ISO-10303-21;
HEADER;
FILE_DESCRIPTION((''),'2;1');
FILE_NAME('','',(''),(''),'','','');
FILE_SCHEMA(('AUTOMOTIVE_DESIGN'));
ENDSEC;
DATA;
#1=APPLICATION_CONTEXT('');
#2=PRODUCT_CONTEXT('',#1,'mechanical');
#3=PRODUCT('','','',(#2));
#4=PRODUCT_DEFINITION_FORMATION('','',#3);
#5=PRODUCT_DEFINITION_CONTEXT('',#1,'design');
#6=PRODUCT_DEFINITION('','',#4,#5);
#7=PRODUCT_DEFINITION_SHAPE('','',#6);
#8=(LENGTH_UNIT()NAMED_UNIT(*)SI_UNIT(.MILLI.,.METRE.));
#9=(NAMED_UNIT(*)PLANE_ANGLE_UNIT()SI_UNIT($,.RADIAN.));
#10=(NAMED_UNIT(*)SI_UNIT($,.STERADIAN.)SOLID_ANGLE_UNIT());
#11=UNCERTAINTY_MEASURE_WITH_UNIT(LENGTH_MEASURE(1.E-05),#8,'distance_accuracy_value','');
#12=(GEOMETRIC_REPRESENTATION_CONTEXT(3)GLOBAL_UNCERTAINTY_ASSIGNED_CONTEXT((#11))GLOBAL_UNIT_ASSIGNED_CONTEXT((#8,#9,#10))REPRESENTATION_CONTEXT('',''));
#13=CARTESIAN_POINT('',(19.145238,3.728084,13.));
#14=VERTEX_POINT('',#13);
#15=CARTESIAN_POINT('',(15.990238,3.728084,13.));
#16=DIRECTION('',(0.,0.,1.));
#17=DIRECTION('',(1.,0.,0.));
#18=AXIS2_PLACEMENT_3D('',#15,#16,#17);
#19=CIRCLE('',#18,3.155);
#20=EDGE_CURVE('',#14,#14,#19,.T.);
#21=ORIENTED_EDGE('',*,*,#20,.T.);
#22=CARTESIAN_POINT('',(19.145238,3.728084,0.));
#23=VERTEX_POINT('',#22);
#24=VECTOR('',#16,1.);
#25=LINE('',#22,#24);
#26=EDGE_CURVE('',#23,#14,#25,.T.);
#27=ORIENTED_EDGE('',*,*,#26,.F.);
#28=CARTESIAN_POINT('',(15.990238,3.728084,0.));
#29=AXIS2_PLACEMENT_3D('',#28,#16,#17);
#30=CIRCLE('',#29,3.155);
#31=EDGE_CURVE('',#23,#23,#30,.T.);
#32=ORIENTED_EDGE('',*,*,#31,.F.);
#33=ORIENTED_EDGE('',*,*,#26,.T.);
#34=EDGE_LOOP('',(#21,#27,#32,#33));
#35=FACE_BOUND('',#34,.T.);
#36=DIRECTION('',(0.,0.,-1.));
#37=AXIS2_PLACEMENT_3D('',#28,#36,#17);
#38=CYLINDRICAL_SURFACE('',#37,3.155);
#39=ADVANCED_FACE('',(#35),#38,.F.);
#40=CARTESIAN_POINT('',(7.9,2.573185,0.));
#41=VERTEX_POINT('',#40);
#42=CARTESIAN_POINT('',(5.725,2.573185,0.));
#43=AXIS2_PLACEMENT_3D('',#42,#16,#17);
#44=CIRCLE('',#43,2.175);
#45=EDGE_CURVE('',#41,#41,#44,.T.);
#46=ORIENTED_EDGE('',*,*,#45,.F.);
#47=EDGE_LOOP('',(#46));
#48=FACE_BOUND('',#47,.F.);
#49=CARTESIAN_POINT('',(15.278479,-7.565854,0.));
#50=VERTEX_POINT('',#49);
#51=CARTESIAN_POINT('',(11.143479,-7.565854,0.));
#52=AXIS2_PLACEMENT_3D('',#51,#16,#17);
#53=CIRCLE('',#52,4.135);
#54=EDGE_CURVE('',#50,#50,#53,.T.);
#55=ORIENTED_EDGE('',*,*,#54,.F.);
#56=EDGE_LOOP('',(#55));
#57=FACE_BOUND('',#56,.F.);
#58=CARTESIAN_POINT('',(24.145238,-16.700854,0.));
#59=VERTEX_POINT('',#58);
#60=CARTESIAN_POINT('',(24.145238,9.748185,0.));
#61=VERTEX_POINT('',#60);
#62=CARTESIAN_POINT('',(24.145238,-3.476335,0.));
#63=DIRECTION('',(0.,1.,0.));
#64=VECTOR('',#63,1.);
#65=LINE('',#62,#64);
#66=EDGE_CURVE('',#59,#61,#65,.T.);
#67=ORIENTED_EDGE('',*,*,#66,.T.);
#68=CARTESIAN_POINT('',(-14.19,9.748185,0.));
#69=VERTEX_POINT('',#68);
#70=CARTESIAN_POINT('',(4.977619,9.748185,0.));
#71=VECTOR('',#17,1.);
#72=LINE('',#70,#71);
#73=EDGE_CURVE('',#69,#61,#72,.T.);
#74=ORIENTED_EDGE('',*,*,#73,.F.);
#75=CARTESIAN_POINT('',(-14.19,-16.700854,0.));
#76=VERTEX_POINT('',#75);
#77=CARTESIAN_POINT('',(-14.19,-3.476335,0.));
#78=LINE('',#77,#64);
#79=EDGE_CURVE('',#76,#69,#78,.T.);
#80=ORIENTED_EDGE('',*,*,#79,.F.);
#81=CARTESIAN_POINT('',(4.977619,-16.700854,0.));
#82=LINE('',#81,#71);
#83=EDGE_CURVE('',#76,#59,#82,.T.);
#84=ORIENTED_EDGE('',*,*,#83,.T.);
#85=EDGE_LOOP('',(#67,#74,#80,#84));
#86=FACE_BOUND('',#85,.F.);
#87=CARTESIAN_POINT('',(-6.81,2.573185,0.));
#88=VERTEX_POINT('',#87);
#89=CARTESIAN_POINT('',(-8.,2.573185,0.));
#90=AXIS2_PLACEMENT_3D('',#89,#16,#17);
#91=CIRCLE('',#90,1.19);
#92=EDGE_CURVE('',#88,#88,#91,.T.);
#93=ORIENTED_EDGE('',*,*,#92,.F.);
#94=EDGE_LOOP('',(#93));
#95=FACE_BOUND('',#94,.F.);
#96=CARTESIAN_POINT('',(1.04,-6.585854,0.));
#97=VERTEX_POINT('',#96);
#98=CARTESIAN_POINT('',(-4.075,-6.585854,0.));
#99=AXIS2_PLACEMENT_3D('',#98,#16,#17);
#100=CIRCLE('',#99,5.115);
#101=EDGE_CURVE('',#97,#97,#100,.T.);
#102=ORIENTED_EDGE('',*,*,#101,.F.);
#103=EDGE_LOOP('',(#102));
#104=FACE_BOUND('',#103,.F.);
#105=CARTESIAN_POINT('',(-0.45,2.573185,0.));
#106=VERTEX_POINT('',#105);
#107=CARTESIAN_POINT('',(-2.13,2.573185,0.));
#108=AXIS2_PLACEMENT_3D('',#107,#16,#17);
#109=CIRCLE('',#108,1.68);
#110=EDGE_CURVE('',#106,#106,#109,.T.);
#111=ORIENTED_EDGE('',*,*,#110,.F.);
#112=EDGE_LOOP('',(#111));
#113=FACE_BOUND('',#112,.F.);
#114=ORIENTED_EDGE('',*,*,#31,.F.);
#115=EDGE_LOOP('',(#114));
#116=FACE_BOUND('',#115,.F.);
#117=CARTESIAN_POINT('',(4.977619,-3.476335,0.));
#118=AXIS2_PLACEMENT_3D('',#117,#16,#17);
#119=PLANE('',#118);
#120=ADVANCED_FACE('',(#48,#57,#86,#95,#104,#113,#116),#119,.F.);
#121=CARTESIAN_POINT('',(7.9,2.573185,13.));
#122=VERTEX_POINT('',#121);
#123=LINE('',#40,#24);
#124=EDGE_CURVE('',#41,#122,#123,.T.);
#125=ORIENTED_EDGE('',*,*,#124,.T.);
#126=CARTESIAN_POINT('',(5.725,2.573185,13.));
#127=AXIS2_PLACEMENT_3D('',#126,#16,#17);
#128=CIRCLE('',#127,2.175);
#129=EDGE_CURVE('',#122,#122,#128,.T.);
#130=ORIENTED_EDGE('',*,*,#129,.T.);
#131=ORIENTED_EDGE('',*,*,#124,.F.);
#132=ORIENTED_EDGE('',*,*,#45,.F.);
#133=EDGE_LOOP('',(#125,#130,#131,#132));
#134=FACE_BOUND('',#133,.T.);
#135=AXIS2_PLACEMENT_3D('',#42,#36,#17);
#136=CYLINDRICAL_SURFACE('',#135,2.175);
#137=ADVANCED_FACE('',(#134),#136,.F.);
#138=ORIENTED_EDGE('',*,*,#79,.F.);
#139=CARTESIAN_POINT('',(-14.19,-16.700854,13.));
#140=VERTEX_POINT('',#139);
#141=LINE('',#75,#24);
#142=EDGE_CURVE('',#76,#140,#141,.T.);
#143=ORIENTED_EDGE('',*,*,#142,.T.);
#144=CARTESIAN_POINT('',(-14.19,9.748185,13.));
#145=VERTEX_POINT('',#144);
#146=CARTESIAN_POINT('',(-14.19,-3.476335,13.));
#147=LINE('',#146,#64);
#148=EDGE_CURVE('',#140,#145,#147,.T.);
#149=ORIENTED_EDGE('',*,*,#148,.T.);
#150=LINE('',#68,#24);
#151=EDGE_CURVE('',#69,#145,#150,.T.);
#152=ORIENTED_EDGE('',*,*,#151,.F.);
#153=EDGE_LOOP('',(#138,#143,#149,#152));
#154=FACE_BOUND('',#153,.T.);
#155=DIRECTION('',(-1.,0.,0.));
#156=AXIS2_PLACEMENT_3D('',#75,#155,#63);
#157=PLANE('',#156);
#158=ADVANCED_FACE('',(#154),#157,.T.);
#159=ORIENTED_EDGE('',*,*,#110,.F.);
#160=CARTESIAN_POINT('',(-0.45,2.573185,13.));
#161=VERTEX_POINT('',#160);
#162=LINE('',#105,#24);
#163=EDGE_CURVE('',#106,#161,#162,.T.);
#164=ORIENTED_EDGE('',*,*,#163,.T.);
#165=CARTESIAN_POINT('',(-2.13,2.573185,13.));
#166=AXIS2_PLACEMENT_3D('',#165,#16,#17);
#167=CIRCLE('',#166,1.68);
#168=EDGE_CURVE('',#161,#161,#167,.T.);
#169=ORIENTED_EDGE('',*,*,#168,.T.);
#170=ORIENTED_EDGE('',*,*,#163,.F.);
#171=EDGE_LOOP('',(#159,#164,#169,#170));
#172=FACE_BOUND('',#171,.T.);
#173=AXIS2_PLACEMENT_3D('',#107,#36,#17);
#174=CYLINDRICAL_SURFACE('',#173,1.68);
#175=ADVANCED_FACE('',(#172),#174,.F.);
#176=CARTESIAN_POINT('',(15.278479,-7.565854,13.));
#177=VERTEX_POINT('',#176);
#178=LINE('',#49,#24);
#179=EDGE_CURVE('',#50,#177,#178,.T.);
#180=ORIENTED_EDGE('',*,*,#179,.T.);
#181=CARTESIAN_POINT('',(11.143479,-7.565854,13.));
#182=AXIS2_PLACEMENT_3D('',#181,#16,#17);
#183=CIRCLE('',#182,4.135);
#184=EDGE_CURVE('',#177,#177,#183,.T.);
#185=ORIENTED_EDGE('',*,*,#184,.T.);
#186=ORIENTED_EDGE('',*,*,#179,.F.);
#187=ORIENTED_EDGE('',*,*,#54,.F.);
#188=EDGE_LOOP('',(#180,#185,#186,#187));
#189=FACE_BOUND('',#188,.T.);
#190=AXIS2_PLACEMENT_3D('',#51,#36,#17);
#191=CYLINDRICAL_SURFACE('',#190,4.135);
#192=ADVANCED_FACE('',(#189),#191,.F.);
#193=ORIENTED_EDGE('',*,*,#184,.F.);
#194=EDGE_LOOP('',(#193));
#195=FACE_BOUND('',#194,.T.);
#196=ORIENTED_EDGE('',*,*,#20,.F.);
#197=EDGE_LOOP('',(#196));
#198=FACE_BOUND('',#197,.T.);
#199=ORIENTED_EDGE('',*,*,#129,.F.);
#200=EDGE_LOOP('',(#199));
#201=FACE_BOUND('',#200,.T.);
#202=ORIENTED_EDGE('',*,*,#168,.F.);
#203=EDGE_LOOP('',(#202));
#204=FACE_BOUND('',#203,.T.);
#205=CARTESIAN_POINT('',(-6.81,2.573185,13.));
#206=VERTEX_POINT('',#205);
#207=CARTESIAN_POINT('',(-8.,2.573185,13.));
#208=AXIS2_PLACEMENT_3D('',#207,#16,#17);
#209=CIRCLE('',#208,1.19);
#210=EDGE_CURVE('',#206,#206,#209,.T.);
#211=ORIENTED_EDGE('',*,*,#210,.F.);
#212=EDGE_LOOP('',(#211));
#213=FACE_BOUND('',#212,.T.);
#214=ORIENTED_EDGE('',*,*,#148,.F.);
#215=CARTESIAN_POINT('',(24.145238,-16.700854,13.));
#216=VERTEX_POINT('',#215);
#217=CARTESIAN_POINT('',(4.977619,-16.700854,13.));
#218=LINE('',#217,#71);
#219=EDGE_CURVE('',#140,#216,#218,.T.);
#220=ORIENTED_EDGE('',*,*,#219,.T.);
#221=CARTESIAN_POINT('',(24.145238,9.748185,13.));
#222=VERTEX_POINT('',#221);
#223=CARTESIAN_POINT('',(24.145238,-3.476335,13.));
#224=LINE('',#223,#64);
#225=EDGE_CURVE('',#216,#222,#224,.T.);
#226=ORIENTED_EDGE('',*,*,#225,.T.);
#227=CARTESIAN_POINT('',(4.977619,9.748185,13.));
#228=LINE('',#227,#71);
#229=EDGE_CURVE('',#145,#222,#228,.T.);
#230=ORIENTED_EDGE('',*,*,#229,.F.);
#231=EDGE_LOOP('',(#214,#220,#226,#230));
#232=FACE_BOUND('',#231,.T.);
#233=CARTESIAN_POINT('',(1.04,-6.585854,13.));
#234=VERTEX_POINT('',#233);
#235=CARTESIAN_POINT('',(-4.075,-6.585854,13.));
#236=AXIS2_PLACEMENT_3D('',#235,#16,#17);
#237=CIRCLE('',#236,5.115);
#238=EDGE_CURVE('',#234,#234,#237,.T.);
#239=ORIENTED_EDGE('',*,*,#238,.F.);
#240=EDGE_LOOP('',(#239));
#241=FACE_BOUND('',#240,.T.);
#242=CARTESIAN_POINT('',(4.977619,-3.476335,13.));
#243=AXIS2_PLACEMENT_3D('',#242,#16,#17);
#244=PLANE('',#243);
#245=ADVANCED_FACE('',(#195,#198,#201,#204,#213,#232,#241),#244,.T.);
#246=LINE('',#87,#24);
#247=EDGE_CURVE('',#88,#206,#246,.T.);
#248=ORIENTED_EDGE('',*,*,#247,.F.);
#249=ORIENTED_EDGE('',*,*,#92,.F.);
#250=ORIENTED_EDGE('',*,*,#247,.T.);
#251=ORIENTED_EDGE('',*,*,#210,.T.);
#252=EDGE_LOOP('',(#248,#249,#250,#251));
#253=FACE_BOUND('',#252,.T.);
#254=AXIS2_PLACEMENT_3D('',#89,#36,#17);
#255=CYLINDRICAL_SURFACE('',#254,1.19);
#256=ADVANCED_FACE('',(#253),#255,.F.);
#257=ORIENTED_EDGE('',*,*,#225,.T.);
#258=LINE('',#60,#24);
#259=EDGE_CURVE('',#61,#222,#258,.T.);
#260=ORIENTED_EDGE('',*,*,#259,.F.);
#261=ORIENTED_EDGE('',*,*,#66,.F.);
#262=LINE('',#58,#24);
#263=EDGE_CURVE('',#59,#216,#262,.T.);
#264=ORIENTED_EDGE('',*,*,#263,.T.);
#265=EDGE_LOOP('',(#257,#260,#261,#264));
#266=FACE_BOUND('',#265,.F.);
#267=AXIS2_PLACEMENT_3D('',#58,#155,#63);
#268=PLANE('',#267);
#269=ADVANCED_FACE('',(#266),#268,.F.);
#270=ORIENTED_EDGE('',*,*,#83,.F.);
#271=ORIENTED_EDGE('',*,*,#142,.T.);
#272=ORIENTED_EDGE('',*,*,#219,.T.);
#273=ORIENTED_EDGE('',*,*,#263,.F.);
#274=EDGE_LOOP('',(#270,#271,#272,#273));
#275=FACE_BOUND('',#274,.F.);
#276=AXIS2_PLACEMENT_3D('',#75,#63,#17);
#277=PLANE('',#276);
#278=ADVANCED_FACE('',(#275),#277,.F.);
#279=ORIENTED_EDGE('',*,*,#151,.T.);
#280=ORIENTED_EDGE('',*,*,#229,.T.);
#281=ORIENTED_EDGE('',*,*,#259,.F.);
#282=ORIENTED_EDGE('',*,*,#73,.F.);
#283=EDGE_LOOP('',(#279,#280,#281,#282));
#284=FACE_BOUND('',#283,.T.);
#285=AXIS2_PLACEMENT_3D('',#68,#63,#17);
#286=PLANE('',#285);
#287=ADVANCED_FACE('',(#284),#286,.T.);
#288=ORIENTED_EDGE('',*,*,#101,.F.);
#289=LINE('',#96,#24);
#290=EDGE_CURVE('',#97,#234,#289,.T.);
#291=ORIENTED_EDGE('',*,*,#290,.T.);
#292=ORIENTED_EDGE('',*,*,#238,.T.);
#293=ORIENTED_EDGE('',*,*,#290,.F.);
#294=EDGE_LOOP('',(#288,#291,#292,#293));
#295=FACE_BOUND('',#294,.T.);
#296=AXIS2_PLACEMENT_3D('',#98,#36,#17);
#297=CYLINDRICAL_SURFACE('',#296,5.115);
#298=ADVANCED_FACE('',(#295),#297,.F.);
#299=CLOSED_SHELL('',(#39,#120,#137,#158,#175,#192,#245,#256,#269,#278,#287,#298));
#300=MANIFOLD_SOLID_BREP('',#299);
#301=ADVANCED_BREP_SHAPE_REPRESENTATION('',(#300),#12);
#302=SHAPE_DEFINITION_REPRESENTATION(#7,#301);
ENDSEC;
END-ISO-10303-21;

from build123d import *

# Parameters (mm, degrees)
F0_W     = 38.335238
F0_H     = 26.449039
F0_R     = 5.115
F0_R_2   = 4.135
F0_R_3   = 1.19
F0_R_4   = 1.68
F0_R_5   = 2.175
F0_R_6   = 3.155
F1_DEPTH = 13


with BuildPart() as f1:
    # F0 (on Top) → F1 (new body)
    with BuildSketch(Plane.XY):
        with Locations((4.977619, -3.476335)):
            Rectangle(F0_W, F0_H)
        with Locations((-4.075, -6.585854)):
            Circle(F0_R, mode=Mode.SUBTRACT)
        with Locations((11.143479, -7.565854)):
            Circle(F0_R_2, mode=Mode.SUBTRACT)
        with Locations((-8, 2.573185)):
            Circle(F0_R_3, mode=Mode.SUBTRACT)
        with Locations((-2.13, 2.573185)):
            Circle(F0_R_4, mode=Mode.SUBTRACT)
        with Locations((5.725, 2.573185)):
            Circle(F0_R_5, mode=Mode.SUBTRACT)
        with Locations((15.990238, 3.728084)):
            Circle(F0_R_6, mode=Mode.SUBTRACT)
    extrude(amount=F1_DEPTH)


solid = f1.part
